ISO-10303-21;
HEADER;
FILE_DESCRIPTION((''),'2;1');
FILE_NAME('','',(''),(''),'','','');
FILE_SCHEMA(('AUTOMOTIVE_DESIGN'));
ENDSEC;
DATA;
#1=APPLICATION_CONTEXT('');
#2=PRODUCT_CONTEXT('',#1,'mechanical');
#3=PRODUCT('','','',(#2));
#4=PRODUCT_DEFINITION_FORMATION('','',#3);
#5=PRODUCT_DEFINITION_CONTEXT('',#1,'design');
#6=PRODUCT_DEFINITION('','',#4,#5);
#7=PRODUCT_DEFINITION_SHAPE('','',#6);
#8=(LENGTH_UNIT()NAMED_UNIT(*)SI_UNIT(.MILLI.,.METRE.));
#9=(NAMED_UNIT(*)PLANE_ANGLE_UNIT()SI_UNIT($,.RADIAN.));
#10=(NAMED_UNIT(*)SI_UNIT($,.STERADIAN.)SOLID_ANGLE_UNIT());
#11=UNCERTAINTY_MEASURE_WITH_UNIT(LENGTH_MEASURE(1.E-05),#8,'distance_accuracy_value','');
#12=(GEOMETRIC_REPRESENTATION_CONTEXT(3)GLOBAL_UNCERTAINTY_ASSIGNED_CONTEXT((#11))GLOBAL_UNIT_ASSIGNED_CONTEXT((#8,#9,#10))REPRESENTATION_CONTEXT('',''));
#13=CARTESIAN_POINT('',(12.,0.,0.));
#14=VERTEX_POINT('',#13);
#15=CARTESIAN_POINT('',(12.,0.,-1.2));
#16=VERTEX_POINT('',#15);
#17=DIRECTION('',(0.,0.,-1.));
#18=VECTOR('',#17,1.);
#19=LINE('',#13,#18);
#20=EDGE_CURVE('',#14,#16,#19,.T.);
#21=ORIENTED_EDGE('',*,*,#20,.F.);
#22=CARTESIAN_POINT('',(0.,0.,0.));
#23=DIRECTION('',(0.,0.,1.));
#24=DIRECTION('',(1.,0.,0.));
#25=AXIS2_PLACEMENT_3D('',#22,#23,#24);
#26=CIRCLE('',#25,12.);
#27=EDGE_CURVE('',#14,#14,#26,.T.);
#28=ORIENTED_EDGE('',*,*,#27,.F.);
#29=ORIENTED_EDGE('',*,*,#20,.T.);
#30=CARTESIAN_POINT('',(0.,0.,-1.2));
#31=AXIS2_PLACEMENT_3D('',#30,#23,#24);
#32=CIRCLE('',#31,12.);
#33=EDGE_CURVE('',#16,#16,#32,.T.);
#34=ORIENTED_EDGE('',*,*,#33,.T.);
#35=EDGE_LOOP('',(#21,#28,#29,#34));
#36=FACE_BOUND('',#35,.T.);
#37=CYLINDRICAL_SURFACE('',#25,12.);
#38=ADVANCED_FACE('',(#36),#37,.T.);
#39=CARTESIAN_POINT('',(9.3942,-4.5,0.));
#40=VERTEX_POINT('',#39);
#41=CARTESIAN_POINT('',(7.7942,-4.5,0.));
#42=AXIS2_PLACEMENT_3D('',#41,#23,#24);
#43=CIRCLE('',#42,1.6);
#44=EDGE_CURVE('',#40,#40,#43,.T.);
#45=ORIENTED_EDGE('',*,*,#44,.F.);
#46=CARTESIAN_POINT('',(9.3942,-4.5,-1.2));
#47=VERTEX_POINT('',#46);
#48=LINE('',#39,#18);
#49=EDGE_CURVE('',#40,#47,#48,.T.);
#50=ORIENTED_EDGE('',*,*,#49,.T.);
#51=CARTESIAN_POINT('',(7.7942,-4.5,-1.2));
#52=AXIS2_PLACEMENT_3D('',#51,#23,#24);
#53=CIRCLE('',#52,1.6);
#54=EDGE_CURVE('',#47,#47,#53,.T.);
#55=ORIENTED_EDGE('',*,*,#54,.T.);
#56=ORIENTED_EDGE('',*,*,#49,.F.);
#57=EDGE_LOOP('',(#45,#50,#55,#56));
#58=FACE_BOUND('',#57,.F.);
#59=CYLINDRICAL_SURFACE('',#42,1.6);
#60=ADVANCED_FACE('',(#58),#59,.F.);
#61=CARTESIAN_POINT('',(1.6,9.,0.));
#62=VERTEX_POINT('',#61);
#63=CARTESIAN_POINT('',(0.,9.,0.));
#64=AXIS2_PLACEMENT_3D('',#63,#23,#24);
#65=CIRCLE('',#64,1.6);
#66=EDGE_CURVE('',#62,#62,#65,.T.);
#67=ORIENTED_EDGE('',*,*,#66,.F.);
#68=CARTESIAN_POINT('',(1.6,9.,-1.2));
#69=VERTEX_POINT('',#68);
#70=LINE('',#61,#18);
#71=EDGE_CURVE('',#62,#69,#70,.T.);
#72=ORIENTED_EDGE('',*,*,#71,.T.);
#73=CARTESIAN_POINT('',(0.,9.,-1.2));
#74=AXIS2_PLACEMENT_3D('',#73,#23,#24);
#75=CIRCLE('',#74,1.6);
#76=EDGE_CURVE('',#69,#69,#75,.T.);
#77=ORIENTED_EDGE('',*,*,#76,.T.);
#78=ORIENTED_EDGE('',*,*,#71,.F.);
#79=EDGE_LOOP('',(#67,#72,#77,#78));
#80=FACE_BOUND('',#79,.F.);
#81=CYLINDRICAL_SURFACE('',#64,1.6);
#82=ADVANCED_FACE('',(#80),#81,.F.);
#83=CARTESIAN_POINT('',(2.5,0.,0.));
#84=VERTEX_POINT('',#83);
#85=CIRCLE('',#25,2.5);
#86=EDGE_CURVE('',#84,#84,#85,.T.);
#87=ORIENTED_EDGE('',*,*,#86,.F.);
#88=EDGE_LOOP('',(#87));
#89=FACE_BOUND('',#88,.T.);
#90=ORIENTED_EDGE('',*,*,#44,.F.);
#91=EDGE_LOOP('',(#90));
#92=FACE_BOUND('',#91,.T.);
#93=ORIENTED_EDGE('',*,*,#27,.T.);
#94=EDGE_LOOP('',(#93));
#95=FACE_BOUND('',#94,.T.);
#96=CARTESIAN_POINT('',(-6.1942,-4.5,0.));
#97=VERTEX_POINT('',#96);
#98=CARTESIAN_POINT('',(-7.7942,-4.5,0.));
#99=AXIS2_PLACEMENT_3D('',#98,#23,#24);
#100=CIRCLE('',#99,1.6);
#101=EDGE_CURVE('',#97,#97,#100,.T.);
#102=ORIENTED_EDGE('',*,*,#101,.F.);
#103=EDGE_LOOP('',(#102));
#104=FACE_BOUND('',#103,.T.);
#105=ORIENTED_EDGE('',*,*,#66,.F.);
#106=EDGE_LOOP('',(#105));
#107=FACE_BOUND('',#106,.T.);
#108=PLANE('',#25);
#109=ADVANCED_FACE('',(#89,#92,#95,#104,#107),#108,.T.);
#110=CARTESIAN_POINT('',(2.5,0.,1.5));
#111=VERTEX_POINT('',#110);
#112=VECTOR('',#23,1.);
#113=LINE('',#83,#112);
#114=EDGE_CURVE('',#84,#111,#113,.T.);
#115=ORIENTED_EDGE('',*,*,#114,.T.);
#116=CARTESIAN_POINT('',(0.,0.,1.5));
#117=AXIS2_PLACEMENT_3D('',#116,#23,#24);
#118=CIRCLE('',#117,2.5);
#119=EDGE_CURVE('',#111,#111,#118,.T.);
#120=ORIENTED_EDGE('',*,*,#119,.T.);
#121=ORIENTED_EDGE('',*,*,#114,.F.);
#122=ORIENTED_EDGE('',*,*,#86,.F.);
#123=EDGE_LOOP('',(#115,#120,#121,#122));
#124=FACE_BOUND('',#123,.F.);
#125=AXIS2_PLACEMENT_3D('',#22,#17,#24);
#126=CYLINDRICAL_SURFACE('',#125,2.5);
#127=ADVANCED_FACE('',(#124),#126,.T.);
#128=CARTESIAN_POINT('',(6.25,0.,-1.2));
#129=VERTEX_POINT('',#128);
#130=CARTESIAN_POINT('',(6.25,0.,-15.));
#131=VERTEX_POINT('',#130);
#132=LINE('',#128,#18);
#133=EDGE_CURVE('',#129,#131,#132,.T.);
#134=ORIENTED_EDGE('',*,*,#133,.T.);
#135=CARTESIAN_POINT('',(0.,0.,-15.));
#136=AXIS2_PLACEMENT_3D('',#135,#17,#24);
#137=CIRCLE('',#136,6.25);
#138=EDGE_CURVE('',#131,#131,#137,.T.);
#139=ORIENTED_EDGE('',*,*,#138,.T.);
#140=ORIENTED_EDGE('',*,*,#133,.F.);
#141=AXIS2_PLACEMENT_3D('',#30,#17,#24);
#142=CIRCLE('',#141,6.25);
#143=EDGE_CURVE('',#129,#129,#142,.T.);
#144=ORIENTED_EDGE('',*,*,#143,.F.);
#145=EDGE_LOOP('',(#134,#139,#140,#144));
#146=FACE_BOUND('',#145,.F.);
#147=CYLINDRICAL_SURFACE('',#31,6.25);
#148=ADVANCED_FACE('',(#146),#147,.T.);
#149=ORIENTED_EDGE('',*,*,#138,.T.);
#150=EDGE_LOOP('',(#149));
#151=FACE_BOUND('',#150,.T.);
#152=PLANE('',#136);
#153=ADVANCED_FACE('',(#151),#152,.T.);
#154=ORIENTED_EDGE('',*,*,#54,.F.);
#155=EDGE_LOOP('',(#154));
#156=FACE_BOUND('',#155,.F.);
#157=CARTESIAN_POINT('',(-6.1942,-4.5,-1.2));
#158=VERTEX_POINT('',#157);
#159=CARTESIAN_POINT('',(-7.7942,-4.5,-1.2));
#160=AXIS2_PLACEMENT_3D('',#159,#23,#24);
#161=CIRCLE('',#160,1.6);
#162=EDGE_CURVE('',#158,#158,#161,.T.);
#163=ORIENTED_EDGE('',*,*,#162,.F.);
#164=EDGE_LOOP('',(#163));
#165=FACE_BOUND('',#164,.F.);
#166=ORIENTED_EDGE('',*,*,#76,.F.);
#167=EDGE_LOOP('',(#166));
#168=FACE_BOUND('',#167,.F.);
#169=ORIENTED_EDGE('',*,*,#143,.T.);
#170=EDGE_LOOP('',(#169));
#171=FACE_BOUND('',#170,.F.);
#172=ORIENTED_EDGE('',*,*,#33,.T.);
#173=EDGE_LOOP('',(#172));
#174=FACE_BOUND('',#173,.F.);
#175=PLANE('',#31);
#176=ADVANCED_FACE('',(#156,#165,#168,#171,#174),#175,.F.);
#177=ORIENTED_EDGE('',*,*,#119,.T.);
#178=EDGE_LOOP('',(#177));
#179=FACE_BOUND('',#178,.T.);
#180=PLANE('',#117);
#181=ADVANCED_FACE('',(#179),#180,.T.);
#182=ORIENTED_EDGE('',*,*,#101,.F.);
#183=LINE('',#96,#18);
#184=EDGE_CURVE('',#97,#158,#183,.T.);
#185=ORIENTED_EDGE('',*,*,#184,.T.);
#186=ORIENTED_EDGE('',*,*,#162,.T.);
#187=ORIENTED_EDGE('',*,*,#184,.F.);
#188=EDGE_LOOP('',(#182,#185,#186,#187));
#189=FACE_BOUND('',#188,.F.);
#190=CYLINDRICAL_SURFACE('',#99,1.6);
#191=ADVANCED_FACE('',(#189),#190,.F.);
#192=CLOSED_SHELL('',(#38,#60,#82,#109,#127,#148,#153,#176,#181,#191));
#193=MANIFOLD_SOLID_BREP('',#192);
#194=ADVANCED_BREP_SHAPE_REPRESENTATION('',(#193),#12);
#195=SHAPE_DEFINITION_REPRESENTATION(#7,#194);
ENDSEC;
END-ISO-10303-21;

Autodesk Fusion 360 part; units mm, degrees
sketch "Sketch1" plane through (0, 0, 0) normal (0, 0, 1) x (1, 0, 0)
  circle A0 centre (0, 0) radius 12
  circle A1 centre (0, 0) radius 9 construction
  line L0 (0, 0) -> (0, 12) construction
  circle A2 centre (0, 9) radius 1.6
  circle A3 centre (-7.7942, -4.5) radius 1.6
  circle A4 centre (7.7942, -4.5) radius 1.6
  circle A5 centre (0, 0) radius 2.5
  dimension "d1" = 24
  dimension "d2" = 18
  dimension "d3" = 3.2
  dimension "d5" = 360
  dimension "d6" = 5
extrude "Extrude1" add sketch "Sketch1" against normal blind 1.2 contours A0 | A5
extrude "Extrude2" add sketch "Sketch1" along normal blind 1.5 contours A5
sketch "Sketch3" plane through (0, 0, -1.2) normal (0, 0, -1) x (1, 0, 0)
  circle A0 centre (7.7942, 4.5) radius 1.6
  circle A1 centre (-7.7942, 4.5) radius 1.6
  circle A2 centre (0, -9) radius 1.6
  circle A3 centre (0, 0) radius 12
  circle A4 centre (0, 0) radius 6.25
  dimension "d14" = 12.5
extrude "Extrude4" add sketch "Sketch3" along normal blind 13.8 contours A4
